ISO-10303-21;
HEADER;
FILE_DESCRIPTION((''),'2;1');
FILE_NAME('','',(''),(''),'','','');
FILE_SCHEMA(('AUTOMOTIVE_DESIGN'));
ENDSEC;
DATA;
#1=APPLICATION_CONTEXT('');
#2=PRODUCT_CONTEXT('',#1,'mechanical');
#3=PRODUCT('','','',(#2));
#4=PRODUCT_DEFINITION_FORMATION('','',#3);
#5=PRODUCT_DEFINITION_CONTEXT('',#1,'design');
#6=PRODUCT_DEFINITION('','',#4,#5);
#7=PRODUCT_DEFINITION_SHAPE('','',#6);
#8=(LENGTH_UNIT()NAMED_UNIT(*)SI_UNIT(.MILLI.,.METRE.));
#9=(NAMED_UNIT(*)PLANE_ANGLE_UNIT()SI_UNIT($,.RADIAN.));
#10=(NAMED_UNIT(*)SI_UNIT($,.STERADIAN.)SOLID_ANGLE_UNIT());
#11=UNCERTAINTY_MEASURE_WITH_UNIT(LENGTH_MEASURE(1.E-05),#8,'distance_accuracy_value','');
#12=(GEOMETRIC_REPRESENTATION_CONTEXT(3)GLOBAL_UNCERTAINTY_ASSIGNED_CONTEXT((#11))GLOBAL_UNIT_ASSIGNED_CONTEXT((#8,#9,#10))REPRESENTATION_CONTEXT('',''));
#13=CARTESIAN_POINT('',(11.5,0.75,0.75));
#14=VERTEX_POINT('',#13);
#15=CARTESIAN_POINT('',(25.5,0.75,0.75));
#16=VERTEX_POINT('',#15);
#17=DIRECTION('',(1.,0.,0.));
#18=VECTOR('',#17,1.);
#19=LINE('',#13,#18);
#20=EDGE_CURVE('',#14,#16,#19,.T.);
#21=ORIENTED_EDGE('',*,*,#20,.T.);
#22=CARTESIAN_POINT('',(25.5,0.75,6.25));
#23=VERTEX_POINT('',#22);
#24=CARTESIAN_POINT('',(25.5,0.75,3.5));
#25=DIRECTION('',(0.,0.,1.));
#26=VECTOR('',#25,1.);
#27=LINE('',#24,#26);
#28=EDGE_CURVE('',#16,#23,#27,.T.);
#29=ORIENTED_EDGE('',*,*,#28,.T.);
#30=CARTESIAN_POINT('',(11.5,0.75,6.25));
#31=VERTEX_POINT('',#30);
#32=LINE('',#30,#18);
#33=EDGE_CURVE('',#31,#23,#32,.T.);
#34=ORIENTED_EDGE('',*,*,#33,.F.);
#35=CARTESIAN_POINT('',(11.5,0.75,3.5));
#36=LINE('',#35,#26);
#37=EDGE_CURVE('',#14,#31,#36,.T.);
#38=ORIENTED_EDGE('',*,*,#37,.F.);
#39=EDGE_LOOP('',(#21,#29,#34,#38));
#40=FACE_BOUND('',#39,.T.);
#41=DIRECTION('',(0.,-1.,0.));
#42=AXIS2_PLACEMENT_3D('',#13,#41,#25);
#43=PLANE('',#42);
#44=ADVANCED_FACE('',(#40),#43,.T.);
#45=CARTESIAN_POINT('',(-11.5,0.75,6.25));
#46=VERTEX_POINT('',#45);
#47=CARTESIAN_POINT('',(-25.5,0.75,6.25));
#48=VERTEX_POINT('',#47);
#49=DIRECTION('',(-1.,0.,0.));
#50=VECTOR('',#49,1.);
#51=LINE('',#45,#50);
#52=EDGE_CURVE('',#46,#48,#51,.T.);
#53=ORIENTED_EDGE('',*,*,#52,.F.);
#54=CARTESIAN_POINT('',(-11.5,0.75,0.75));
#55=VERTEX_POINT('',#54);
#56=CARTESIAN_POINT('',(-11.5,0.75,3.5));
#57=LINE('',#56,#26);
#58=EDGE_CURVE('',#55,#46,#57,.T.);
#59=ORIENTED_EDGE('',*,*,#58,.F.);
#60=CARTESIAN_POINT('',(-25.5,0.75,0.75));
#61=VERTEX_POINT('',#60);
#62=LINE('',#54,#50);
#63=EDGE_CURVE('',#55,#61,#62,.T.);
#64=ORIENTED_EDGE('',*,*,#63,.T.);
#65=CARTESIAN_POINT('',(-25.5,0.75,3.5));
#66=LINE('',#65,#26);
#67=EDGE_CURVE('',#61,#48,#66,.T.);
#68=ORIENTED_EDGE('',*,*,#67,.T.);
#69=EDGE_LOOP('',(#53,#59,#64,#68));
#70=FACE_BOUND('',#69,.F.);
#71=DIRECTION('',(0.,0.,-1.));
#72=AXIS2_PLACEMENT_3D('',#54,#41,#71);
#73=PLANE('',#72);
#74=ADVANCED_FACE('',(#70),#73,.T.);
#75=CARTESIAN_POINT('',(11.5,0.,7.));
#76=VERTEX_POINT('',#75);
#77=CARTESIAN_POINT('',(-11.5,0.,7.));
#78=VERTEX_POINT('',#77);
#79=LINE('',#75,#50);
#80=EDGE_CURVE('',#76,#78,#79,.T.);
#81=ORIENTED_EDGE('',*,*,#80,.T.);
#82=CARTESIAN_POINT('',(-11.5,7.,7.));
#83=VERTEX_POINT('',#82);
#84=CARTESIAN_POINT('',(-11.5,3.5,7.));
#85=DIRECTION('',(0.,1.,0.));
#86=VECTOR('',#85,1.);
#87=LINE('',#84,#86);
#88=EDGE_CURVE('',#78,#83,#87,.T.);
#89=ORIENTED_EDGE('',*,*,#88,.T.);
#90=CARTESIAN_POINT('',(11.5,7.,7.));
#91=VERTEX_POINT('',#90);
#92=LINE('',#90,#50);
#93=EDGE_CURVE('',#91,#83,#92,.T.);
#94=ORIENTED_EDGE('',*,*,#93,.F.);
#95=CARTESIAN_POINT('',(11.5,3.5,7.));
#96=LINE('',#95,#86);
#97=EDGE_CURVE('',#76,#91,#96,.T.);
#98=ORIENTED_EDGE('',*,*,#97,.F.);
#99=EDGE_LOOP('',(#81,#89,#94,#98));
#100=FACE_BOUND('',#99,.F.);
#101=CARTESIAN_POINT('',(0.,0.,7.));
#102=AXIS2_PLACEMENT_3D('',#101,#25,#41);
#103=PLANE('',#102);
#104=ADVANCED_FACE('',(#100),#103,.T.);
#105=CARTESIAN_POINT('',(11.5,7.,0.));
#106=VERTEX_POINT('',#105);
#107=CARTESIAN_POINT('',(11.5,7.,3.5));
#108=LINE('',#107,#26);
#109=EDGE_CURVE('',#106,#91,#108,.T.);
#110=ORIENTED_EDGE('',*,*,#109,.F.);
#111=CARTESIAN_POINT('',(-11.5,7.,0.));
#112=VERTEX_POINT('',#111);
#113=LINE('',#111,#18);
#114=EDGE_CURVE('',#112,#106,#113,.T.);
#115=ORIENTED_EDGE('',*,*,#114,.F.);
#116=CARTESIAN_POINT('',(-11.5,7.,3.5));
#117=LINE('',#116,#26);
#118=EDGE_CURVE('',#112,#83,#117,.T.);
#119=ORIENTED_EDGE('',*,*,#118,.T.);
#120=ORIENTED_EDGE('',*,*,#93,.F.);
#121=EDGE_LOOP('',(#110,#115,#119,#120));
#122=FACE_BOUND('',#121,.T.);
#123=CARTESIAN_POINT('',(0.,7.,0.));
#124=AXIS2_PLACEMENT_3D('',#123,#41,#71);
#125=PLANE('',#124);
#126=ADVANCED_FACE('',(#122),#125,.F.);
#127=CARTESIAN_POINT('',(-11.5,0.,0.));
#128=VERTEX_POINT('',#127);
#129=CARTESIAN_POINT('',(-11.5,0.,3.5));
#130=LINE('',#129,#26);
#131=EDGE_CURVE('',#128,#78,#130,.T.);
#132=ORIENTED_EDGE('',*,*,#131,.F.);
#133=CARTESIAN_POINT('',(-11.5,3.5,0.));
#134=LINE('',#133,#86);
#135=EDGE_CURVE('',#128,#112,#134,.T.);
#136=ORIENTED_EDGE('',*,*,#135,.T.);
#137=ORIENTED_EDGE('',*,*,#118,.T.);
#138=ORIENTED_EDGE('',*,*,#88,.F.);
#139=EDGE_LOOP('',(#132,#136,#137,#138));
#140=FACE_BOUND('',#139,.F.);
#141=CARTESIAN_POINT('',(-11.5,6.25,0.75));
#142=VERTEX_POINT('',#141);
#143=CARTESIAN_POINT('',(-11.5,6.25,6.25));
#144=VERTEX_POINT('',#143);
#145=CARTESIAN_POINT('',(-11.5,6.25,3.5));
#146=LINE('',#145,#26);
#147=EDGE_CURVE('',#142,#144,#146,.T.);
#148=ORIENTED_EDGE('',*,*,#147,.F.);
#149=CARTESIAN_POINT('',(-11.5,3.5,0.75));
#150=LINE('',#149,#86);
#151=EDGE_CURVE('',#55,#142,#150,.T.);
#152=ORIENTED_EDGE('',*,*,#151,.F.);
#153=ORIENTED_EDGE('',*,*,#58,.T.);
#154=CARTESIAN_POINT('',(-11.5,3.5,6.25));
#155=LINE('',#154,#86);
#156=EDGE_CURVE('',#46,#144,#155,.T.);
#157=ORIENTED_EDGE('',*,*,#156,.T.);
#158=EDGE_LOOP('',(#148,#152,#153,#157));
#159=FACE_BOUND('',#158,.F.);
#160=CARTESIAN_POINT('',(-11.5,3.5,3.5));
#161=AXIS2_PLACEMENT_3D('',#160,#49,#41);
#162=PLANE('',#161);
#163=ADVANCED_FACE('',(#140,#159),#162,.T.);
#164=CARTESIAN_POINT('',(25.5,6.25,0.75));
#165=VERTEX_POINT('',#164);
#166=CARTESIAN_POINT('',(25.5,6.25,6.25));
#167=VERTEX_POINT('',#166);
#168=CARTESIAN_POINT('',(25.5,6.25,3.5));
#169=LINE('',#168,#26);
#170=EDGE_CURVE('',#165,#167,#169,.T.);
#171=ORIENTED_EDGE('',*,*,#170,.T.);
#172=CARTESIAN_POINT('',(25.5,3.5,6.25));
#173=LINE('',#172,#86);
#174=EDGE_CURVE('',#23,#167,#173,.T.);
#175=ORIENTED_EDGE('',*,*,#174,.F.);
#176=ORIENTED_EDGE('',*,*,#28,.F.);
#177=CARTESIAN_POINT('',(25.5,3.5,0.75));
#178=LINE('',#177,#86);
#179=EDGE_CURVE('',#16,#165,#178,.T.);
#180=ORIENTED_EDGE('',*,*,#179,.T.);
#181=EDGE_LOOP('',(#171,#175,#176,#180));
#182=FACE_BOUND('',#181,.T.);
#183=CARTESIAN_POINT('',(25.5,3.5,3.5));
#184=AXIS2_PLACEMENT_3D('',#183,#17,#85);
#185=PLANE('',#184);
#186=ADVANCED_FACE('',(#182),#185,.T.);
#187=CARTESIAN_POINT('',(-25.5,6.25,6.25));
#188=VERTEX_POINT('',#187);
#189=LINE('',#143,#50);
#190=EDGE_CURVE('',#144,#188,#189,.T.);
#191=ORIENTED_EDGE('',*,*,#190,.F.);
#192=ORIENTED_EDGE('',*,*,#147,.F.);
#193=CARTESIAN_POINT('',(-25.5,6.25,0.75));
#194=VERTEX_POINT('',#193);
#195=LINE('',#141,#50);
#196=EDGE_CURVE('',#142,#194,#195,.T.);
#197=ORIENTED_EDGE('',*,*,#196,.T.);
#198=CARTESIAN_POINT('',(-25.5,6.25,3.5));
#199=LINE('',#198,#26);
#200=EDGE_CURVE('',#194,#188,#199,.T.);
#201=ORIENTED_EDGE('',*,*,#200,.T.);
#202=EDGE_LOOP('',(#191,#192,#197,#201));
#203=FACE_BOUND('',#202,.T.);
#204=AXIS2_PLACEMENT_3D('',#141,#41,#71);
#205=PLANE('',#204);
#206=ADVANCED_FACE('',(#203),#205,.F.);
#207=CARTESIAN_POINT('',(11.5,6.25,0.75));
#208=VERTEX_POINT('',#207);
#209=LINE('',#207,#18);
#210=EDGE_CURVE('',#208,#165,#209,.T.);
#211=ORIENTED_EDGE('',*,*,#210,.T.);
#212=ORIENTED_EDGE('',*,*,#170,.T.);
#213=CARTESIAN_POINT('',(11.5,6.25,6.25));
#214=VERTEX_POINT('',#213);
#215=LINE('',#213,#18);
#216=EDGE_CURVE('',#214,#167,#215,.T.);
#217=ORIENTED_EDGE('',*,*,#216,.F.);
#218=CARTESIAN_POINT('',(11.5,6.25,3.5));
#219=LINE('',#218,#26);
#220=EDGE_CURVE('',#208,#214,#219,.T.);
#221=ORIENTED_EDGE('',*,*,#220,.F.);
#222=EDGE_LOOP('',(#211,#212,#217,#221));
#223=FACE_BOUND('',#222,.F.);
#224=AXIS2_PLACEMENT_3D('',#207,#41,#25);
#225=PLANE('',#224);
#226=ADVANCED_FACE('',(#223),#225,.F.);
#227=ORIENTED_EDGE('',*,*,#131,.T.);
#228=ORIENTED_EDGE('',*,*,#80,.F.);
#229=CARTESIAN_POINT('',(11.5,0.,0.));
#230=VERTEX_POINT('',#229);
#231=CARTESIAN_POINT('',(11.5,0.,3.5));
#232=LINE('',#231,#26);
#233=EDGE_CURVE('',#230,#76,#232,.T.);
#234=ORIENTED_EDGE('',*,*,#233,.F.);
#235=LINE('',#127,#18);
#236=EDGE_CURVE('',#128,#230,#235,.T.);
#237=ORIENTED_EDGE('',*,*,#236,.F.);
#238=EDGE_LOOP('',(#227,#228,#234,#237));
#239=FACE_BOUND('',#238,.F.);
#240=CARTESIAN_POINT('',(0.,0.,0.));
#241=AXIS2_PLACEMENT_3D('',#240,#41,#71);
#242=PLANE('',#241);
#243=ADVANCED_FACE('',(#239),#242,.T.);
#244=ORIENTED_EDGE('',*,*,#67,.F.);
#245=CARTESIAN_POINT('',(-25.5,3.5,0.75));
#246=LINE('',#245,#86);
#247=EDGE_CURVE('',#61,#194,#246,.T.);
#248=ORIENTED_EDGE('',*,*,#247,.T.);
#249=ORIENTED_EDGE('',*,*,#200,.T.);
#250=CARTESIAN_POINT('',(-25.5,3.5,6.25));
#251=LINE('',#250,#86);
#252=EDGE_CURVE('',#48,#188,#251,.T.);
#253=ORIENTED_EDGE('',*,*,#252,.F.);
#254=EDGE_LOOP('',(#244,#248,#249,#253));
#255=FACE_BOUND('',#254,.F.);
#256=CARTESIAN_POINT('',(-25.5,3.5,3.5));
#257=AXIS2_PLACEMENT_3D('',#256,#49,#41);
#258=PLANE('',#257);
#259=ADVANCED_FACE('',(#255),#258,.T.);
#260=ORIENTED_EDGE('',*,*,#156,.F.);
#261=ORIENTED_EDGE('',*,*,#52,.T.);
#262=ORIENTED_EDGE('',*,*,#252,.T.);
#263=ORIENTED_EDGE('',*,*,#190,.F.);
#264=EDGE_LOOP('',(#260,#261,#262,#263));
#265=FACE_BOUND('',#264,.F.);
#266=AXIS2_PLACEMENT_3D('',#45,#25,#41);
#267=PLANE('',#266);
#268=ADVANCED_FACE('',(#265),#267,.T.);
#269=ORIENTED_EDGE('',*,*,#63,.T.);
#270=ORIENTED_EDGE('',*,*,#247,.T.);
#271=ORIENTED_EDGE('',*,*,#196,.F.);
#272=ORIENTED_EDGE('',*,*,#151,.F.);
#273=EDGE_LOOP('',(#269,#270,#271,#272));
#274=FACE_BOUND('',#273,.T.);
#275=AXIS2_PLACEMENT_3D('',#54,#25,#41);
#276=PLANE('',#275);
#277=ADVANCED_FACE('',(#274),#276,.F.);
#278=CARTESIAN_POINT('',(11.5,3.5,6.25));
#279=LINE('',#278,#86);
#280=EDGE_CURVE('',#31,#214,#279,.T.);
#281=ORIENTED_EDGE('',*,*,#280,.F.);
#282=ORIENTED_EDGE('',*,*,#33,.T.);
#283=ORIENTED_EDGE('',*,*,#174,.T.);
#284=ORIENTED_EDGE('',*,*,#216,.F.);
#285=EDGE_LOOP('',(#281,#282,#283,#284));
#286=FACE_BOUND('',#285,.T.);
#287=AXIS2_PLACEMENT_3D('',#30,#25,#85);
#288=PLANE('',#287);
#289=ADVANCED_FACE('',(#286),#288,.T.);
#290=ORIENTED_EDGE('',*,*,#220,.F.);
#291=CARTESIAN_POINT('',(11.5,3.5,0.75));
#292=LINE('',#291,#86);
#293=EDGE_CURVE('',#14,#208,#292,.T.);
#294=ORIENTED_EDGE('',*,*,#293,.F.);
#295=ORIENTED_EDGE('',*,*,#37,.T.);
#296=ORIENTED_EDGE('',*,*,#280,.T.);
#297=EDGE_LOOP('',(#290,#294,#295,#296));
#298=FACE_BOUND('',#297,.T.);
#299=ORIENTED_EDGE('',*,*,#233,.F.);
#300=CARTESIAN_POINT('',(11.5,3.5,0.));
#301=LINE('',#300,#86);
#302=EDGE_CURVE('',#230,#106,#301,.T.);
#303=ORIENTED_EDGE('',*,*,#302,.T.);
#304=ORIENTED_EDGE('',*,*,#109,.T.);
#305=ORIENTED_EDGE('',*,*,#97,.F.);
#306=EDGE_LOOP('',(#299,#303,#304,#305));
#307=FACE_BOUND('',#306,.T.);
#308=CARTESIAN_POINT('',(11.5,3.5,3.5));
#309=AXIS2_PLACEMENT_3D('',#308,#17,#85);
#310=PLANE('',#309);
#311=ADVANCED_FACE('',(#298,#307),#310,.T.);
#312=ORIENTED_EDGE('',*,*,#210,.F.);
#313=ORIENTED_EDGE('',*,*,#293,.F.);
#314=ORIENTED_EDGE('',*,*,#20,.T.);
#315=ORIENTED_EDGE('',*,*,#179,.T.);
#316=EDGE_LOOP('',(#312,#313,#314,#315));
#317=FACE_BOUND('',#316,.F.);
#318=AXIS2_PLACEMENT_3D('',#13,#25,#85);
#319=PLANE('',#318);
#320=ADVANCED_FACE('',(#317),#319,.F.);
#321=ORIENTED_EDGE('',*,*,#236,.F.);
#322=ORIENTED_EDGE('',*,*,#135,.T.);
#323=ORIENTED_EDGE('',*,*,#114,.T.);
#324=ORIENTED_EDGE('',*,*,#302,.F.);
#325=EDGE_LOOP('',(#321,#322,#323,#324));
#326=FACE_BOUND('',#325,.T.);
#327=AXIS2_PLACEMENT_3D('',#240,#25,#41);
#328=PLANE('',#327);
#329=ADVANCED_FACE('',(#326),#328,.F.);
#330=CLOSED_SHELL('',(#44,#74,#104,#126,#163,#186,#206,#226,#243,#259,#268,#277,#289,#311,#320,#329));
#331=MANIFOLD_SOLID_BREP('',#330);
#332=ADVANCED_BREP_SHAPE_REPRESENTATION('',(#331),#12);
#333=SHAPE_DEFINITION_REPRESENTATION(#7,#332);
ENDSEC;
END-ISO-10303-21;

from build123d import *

# Parameters (mm, degrees)
F0_W     = 7
F0_H     = 7
F1_DEPTH = 11.5
F2_W     = 5.5
F2_H     = 5.5
F3_DEPTH = 14


with BuildPart() as f1:
    # F0 (on Right) → F1 (new body)
    with BuildSketch(Plane.YZ):
        with Locations((3.5, 3.5)):
            Rectangle(F0_W, F0_H)
    extrude(amount=F1_DEPTH)

    # F2 (on face) → F3 (join)
    with BuildSketch(Plane.YZ.offset(11.5)):
        with Locations((3.5, 3.5)):
            Rectangle(F2_W, F2_H)
    extrude(amount=F3_DEPTH)

    # F4: F1 across face


with BuildPart() as f1_1:
    add(f1.part)
    add(f1.part.mirror(Plane(origin=(0, 3.5, 3.5), x_dir=(0, 1, 0), z_dir=(-1, 0, 0))))


solid = f1_1.part
